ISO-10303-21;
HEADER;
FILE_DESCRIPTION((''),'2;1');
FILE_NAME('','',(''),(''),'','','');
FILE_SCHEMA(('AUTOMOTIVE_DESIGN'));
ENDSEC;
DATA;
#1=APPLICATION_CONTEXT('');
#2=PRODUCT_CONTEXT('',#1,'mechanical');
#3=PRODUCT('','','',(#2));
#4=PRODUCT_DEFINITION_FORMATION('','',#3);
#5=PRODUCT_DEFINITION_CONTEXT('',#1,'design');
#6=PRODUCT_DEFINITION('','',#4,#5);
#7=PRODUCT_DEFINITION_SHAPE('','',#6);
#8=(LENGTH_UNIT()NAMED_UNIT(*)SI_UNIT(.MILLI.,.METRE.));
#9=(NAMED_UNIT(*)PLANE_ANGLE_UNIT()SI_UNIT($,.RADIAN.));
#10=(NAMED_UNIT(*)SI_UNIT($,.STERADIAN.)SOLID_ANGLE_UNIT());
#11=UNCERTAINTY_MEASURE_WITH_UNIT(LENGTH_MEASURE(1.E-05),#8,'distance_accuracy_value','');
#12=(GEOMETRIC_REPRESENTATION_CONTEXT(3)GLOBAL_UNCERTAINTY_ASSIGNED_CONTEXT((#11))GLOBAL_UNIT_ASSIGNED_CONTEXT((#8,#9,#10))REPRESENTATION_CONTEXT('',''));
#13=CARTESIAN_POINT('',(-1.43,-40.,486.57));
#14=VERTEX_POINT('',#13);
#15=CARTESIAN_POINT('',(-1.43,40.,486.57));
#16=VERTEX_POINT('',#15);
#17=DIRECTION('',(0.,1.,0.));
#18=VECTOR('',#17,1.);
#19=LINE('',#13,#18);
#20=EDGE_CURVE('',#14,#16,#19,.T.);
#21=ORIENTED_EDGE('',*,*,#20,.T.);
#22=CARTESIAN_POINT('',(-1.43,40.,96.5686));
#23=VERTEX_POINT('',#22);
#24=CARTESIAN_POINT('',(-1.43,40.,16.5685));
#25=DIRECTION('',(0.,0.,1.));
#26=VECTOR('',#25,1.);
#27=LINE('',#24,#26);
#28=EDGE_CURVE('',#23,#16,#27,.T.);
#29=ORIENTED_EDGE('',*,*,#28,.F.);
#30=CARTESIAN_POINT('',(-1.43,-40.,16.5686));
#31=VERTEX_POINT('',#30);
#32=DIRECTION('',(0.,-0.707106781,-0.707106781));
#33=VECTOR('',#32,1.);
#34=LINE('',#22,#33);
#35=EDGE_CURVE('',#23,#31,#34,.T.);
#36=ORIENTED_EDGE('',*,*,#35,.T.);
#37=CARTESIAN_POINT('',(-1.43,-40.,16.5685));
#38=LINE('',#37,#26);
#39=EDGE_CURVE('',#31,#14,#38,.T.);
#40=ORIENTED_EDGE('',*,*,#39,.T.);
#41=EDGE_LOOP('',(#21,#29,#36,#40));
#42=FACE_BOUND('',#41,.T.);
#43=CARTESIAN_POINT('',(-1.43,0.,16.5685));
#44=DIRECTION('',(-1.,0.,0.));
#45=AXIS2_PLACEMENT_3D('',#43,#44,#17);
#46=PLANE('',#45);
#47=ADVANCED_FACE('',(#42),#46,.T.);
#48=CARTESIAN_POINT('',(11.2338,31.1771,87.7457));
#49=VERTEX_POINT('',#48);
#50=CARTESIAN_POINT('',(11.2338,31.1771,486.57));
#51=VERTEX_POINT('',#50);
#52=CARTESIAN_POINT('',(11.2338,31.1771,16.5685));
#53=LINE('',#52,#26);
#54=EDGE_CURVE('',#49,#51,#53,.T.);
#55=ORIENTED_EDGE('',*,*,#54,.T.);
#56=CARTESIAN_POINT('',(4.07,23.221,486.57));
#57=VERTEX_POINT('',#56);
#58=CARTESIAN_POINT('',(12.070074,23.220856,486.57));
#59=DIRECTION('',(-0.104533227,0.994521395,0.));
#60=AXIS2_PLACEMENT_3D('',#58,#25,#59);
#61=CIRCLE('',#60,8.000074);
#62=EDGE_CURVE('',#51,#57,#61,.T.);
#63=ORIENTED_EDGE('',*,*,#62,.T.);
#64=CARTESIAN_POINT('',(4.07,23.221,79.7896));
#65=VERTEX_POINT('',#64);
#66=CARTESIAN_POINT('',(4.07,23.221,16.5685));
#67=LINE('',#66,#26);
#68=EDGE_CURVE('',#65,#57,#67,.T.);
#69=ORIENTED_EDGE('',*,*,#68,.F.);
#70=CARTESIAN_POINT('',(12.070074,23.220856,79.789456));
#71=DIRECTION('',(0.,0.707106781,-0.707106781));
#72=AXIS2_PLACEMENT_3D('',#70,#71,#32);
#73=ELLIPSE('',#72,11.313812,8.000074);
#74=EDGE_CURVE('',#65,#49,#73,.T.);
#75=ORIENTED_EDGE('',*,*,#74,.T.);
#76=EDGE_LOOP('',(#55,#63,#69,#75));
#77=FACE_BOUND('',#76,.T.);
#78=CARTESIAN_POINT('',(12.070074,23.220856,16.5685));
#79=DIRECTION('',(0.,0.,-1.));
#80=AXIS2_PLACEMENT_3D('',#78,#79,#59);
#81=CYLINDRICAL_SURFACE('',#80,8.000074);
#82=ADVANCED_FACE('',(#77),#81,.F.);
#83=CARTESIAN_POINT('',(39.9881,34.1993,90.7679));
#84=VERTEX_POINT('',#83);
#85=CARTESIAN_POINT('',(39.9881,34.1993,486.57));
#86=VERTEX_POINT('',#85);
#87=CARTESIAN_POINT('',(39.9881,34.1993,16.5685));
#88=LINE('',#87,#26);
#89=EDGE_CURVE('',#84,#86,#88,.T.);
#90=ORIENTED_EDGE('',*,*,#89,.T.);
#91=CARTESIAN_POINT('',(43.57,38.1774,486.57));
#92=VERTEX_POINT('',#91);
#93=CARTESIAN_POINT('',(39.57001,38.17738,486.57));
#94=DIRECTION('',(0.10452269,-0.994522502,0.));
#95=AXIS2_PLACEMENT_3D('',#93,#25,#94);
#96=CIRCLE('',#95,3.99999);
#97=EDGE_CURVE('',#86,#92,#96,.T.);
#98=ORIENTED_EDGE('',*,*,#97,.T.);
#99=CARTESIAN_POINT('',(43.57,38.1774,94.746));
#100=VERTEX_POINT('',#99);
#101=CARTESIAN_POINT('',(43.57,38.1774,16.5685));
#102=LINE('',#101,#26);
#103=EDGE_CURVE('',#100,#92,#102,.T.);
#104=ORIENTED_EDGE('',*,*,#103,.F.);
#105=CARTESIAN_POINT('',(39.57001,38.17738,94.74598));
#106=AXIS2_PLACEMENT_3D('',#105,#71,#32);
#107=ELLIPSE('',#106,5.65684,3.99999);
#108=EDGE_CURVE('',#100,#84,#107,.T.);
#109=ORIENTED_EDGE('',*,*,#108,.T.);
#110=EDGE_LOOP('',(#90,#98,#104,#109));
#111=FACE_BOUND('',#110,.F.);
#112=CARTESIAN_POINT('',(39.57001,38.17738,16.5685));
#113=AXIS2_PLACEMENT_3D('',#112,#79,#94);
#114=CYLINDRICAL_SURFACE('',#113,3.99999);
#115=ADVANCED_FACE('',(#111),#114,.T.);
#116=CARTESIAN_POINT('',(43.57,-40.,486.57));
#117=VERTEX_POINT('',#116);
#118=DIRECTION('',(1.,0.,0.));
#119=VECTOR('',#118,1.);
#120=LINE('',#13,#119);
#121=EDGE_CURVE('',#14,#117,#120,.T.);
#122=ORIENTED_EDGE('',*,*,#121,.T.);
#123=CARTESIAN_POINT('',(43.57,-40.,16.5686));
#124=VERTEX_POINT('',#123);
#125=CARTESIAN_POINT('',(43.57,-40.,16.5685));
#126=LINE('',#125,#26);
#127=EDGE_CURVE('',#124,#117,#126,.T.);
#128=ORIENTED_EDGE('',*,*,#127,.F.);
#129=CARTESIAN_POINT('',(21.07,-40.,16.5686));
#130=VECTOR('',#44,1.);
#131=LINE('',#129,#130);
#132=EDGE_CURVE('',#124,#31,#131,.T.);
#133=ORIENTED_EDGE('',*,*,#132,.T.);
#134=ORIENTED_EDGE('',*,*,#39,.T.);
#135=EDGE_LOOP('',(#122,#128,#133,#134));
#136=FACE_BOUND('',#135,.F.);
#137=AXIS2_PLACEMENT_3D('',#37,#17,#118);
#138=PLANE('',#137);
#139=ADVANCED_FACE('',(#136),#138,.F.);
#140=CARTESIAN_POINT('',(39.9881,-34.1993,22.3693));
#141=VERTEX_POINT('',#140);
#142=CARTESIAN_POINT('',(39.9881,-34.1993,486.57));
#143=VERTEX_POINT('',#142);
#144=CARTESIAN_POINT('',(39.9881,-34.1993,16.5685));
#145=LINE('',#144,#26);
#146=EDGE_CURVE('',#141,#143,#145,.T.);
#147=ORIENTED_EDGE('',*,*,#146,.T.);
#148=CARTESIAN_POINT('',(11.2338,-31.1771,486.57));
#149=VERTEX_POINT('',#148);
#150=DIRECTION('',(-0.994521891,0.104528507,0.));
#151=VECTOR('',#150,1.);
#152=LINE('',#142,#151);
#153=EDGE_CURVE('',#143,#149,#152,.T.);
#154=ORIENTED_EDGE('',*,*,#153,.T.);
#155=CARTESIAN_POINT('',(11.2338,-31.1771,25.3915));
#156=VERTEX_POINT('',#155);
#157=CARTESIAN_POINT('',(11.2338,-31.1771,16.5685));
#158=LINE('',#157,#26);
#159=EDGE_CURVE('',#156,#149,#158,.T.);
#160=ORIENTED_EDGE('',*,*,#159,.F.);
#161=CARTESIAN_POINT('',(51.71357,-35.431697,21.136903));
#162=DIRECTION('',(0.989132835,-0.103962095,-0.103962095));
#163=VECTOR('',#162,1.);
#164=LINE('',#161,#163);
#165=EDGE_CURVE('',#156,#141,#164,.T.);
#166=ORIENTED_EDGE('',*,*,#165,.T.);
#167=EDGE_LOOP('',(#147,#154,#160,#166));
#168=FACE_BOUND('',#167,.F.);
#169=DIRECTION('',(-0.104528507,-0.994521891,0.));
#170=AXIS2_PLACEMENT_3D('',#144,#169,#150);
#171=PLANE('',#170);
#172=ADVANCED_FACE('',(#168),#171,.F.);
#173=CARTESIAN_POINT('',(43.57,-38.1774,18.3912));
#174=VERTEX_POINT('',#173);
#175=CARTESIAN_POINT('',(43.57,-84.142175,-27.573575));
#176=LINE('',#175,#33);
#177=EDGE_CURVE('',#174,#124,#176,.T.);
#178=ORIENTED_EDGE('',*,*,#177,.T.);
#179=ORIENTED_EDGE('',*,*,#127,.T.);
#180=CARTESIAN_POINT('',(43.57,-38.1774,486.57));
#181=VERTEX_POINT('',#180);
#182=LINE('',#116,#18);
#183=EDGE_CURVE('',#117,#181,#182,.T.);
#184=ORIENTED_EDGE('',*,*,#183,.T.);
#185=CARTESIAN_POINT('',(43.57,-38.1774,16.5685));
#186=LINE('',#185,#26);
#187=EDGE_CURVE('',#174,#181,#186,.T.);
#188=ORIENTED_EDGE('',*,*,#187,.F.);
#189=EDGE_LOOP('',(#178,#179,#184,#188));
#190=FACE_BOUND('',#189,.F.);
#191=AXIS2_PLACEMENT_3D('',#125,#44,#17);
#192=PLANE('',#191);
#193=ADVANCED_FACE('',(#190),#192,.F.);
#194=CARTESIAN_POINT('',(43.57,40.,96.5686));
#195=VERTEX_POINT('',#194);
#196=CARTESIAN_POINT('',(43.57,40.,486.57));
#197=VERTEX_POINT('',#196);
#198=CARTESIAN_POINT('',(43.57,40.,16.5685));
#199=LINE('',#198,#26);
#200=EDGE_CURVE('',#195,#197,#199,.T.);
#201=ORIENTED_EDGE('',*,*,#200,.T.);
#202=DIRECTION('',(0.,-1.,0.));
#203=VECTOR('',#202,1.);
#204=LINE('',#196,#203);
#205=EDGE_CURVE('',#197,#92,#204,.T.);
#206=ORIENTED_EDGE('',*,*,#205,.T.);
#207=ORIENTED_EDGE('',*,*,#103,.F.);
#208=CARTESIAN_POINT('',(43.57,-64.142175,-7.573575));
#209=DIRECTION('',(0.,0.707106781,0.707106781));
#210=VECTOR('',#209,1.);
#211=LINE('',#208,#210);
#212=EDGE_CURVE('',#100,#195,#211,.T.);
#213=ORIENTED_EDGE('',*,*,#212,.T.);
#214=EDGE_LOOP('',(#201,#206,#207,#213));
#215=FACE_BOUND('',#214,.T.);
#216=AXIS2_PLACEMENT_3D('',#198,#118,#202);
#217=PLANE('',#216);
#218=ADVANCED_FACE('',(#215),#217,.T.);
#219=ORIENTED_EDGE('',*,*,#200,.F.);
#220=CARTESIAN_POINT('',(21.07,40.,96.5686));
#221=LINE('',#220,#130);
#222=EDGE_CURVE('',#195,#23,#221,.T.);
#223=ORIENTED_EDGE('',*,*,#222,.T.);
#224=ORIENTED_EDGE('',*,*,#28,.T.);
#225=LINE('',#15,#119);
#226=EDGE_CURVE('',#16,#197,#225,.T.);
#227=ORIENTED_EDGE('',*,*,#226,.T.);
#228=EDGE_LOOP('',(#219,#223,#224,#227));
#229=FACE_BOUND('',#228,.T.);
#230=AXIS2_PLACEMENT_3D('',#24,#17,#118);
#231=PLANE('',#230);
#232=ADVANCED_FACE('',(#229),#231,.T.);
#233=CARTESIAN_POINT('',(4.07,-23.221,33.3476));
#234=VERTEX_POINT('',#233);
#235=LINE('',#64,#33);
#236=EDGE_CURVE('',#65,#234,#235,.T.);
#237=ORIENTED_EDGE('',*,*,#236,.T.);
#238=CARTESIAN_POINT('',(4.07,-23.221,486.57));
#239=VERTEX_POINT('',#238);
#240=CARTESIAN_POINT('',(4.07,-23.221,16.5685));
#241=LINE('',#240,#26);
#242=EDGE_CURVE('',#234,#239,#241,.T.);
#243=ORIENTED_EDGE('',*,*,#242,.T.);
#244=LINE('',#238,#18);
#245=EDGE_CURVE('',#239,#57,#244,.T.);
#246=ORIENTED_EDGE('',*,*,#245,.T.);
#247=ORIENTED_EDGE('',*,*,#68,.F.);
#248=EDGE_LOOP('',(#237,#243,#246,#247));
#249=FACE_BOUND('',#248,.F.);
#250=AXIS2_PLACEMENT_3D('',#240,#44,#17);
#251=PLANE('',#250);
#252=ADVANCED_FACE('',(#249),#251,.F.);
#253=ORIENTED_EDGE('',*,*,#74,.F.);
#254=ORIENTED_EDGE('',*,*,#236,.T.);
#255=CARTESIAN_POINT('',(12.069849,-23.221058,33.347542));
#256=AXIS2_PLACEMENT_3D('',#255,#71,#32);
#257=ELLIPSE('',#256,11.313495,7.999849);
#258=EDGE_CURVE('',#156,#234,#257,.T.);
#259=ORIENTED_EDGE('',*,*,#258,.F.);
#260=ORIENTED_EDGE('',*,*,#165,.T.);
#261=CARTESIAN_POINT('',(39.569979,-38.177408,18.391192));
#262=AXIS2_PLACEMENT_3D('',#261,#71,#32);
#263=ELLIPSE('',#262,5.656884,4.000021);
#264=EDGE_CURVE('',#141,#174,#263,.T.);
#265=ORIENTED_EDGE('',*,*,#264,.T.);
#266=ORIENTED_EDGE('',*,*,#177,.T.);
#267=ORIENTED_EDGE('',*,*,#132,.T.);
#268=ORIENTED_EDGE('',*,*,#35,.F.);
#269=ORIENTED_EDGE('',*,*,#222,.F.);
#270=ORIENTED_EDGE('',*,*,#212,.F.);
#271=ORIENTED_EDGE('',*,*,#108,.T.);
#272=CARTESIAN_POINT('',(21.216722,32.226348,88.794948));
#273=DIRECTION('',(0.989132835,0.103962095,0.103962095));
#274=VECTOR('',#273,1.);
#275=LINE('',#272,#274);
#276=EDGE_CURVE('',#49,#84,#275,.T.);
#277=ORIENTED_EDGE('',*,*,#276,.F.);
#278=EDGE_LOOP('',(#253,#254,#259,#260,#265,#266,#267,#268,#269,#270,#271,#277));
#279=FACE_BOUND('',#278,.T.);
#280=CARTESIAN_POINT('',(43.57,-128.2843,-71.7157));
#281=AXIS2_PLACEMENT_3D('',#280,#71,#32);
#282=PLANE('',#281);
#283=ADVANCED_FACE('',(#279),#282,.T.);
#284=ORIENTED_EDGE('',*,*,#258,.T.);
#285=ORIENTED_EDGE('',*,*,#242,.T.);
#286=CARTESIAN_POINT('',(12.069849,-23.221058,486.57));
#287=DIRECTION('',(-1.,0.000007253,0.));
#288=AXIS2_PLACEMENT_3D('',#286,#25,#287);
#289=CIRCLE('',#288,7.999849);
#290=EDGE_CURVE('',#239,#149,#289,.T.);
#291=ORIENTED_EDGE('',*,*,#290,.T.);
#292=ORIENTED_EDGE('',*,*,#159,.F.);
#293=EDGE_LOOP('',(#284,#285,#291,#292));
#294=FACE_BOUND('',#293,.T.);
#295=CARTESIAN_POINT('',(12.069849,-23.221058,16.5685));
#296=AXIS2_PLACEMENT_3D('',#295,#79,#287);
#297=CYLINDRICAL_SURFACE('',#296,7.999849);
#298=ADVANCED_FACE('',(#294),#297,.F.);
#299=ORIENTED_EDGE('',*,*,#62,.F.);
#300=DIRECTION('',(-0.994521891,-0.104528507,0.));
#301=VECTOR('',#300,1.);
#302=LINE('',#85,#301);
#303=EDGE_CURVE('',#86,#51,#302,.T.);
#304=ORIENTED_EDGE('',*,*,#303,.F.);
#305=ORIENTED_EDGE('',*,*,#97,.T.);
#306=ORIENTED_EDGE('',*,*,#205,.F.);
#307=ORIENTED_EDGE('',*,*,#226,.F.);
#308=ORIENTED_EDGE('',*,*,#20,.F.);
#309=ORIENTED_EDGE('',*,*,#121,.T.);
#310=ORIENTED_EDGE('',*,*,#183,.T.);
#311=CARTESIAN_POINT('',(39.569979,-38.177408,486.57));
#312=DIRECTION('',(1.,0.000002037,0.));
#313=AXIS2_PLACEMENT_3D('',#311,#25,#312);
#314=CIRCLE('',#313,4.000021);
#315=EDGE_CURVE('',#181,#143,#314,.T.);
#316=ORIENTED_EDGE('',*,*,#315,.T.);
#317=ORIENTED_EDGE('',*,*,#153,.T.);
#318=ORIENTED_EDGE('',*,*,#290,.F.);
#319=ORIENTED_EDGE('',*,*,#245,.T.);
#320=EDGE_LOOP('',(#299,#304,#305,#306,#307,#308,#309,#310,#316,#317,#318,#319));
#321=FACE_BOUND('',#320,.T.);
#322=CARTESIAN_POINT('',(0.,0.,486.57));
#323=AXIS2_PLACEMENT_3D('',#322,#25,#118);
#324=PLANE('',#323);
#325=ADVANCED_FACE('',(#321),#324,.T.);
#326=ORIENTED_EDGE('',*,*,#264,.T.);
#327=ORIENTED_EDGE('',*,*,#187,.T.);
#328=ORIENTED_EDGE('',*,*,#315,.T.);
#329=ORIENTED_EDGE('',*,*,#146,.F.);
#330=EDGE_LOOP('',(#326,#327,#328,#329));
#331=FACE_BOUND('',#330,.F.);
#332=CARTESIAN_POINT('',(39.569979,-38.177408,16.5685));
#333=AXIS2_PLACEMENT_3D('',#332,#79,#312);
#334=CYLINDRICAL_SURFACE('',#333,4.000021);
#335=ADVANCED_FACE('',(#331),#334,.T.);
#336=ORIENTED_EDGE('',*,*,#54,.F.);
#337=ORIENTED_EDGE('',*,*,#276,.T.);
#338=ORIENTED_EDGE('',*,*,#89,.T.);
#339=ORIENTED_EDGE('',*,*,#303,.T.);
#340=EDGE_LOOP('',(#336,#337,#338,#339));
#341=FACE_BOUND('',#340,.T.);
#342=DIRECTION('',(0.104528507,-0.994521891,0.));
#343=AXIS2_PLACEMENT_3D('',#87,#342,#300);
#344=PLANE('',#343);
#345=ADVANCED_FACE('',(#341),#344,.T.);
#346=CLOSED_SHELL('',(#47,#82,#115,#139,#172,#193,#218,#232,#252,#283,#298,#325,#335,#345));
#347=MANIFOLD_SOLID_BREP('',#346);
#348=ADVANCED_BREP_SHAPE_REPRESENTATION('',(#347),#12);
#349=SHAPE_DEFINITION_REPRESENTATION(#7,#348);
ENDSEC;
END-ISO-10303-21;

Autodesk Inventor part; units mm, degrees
ref_plane "Начальная плоскость" through (0, 0, 16.5685) normal (0, 0, 1) x (1, 0, 0)
ref_plane "Конечная плоскость" through (0, 0, 486.57) normal (0, 0, 1) x (1, 0, 0)
sketch "Эскиз" plane through (0, 0, 0) normal (0, 0, 1) x (1, 0, 0)
  line L0 (-1.43, 0) -> (-1.43, 40)
  line L1 (-1.43, 40) -> (43.57, 40)
  line L2 (43.57, 40) -> (43.57, 38.1774)
  line L3 (39.9881, 34.1993) -> (11.2338, 31.1771)
  line L4 (4.07, 23.221) -> (4.07, 0)
  line L5 (4.07, 0) -> (-1.43, 0) construction
  line L6 (23.82, 40) -> (23.82, 32.5) construction
  line L7 (43.57, 34.5758) -> (43.57, 32.5) construction
  line L8 (43.57, 32.5) -> (23.82, 32.5) construction
  line L9 (0, 15) -> (0, -27) construction
  line L10 (-5.539, 0) -> (16.0067, 0) construction
  line L11 (-1.43, 0) -> (-1.43, -40)
  line L12 (-1.43, -40) -> (43.57, -40)
  line L13 (43.57, -40) -> (43.57, -38.1774)
  line L14 (39.9881, -34.1993) -> (11.2338, -31.1771)
  line L15 (4.07, -23.221) -> (4.07, 0)
  arc A0 (11.2338, 31.1771) -> (4.07, 23.221) centre (12.07, 23.221) ccw
  arc A1 (4.07, -23.221) -> (11.2338, -31.1771) centre (12.07, -23.221) ccw
  arc A2 (39.9881, 34.1993) -> (43.57, 38.1774) centre (39.57, 38.1774) ccw
  arc A3 (43.57, -38.1774) -> (39.9881, -34.1993) centre (39.57, -38.1774) ccw
  line L16 (0, 56) -> (0, -56) construction
  line L17 (-15.5135, 0) -> (54.308, 0) construction
  point P0 (4.07, 30.4242)
  point P1 (43.57, -34.5758)
  point P2 (4.07, -30.4242)
  point P3 (23.82, -40)
  point P4 (23.82, -32.5)
  dimension "d0" = 5.5
  dimension "d1" = 40
  dimension "d2" = 45
  dimension "d3" = 7.5
  dimension "d4" = 19.75
  dimension "d5" = 2.0758
  dimension "d23" = 8
  dimension "d24" = 4
  dimension "d25" = 1.43
extrude "Тело" add sketch "Эскиз" along normal up to surface (470.0015 mm away) from surface at 16.5685
sketch "Sketch3" plane through (0, 0, 0) normal (0, 0, 1) x (1, 0, 0)
  line L0 (0, 0) -> (10, 0)
ref_plane "Work Plane3" through (0, 0, 0) normal (0, -1, 0) x (1, 0, 0)
sketch "Sketch4" plane through (0, 0, 0) normal (0, -1, 0) x (1, 0, 0)
  line L0 (-2, 16.5685) -> (12, 16.5685)
  line L1 (-2, 486.57) -> (12, 486.57)
  dimension "d29" = 470.0015
ref_plane "РабПлоскость4" through (43.57, -128.2843, -71.7157) normal (0, 0.7071, -0.7071) x (1, 0, 0)
split "Разделение1" plane through (43.57, -128.2843, -71.7157) removes the side toward (0, 0.7071, -0.7071)
ref_plane "РабПлоскость5" through (43.57, 220, 486.57) normal (0, 0, 1) x (1, 0, 0)
split "Разделение2" plane through (43.57, 220, 486.57) removes the side toward (0, 0, 1)
equation "\"d0\" = G_T"
equation "\"d1\" = 0.5 * G_H"
equation "\"d2\" = G_W"
equation "\"d3\" = G_T1"
equation "\"d4\" = G_C"
equation "\"d23\" = G_IR"
equation "\"d24\" = G_ER"
equation "\"d25\" = ex"
equation "\"d6\" = G_L"
equation "\"G_W\" = 45"
equation "\"G_T\" = 5.5"
equation "\"G_T1\" = 7.5"
equation "\"G_NG\" = 0.105104"
equation "\"G_ER\" = 4"
equation "\"G_IR\" = 8"
equation "\"G_C\" = 19.75"
equation "\"G_L\" = d29"
equation "\"ex\" = 1.43"
equation "\"G_OFFSET_START\" = -16.56854"
equation "\"d26\" = -G_OFFSET_START"
equation "\"d27\" = G_OFFSET_END + B_L"
equation "\"B_L\" = 526.57"
equation "\"G_H\" = 80"
equation "\"G_OFFSET_END\" = -40"
properties part number "ISO 657/11 - CH 80 x 8 - 470" material "Сталь, мягкая"
